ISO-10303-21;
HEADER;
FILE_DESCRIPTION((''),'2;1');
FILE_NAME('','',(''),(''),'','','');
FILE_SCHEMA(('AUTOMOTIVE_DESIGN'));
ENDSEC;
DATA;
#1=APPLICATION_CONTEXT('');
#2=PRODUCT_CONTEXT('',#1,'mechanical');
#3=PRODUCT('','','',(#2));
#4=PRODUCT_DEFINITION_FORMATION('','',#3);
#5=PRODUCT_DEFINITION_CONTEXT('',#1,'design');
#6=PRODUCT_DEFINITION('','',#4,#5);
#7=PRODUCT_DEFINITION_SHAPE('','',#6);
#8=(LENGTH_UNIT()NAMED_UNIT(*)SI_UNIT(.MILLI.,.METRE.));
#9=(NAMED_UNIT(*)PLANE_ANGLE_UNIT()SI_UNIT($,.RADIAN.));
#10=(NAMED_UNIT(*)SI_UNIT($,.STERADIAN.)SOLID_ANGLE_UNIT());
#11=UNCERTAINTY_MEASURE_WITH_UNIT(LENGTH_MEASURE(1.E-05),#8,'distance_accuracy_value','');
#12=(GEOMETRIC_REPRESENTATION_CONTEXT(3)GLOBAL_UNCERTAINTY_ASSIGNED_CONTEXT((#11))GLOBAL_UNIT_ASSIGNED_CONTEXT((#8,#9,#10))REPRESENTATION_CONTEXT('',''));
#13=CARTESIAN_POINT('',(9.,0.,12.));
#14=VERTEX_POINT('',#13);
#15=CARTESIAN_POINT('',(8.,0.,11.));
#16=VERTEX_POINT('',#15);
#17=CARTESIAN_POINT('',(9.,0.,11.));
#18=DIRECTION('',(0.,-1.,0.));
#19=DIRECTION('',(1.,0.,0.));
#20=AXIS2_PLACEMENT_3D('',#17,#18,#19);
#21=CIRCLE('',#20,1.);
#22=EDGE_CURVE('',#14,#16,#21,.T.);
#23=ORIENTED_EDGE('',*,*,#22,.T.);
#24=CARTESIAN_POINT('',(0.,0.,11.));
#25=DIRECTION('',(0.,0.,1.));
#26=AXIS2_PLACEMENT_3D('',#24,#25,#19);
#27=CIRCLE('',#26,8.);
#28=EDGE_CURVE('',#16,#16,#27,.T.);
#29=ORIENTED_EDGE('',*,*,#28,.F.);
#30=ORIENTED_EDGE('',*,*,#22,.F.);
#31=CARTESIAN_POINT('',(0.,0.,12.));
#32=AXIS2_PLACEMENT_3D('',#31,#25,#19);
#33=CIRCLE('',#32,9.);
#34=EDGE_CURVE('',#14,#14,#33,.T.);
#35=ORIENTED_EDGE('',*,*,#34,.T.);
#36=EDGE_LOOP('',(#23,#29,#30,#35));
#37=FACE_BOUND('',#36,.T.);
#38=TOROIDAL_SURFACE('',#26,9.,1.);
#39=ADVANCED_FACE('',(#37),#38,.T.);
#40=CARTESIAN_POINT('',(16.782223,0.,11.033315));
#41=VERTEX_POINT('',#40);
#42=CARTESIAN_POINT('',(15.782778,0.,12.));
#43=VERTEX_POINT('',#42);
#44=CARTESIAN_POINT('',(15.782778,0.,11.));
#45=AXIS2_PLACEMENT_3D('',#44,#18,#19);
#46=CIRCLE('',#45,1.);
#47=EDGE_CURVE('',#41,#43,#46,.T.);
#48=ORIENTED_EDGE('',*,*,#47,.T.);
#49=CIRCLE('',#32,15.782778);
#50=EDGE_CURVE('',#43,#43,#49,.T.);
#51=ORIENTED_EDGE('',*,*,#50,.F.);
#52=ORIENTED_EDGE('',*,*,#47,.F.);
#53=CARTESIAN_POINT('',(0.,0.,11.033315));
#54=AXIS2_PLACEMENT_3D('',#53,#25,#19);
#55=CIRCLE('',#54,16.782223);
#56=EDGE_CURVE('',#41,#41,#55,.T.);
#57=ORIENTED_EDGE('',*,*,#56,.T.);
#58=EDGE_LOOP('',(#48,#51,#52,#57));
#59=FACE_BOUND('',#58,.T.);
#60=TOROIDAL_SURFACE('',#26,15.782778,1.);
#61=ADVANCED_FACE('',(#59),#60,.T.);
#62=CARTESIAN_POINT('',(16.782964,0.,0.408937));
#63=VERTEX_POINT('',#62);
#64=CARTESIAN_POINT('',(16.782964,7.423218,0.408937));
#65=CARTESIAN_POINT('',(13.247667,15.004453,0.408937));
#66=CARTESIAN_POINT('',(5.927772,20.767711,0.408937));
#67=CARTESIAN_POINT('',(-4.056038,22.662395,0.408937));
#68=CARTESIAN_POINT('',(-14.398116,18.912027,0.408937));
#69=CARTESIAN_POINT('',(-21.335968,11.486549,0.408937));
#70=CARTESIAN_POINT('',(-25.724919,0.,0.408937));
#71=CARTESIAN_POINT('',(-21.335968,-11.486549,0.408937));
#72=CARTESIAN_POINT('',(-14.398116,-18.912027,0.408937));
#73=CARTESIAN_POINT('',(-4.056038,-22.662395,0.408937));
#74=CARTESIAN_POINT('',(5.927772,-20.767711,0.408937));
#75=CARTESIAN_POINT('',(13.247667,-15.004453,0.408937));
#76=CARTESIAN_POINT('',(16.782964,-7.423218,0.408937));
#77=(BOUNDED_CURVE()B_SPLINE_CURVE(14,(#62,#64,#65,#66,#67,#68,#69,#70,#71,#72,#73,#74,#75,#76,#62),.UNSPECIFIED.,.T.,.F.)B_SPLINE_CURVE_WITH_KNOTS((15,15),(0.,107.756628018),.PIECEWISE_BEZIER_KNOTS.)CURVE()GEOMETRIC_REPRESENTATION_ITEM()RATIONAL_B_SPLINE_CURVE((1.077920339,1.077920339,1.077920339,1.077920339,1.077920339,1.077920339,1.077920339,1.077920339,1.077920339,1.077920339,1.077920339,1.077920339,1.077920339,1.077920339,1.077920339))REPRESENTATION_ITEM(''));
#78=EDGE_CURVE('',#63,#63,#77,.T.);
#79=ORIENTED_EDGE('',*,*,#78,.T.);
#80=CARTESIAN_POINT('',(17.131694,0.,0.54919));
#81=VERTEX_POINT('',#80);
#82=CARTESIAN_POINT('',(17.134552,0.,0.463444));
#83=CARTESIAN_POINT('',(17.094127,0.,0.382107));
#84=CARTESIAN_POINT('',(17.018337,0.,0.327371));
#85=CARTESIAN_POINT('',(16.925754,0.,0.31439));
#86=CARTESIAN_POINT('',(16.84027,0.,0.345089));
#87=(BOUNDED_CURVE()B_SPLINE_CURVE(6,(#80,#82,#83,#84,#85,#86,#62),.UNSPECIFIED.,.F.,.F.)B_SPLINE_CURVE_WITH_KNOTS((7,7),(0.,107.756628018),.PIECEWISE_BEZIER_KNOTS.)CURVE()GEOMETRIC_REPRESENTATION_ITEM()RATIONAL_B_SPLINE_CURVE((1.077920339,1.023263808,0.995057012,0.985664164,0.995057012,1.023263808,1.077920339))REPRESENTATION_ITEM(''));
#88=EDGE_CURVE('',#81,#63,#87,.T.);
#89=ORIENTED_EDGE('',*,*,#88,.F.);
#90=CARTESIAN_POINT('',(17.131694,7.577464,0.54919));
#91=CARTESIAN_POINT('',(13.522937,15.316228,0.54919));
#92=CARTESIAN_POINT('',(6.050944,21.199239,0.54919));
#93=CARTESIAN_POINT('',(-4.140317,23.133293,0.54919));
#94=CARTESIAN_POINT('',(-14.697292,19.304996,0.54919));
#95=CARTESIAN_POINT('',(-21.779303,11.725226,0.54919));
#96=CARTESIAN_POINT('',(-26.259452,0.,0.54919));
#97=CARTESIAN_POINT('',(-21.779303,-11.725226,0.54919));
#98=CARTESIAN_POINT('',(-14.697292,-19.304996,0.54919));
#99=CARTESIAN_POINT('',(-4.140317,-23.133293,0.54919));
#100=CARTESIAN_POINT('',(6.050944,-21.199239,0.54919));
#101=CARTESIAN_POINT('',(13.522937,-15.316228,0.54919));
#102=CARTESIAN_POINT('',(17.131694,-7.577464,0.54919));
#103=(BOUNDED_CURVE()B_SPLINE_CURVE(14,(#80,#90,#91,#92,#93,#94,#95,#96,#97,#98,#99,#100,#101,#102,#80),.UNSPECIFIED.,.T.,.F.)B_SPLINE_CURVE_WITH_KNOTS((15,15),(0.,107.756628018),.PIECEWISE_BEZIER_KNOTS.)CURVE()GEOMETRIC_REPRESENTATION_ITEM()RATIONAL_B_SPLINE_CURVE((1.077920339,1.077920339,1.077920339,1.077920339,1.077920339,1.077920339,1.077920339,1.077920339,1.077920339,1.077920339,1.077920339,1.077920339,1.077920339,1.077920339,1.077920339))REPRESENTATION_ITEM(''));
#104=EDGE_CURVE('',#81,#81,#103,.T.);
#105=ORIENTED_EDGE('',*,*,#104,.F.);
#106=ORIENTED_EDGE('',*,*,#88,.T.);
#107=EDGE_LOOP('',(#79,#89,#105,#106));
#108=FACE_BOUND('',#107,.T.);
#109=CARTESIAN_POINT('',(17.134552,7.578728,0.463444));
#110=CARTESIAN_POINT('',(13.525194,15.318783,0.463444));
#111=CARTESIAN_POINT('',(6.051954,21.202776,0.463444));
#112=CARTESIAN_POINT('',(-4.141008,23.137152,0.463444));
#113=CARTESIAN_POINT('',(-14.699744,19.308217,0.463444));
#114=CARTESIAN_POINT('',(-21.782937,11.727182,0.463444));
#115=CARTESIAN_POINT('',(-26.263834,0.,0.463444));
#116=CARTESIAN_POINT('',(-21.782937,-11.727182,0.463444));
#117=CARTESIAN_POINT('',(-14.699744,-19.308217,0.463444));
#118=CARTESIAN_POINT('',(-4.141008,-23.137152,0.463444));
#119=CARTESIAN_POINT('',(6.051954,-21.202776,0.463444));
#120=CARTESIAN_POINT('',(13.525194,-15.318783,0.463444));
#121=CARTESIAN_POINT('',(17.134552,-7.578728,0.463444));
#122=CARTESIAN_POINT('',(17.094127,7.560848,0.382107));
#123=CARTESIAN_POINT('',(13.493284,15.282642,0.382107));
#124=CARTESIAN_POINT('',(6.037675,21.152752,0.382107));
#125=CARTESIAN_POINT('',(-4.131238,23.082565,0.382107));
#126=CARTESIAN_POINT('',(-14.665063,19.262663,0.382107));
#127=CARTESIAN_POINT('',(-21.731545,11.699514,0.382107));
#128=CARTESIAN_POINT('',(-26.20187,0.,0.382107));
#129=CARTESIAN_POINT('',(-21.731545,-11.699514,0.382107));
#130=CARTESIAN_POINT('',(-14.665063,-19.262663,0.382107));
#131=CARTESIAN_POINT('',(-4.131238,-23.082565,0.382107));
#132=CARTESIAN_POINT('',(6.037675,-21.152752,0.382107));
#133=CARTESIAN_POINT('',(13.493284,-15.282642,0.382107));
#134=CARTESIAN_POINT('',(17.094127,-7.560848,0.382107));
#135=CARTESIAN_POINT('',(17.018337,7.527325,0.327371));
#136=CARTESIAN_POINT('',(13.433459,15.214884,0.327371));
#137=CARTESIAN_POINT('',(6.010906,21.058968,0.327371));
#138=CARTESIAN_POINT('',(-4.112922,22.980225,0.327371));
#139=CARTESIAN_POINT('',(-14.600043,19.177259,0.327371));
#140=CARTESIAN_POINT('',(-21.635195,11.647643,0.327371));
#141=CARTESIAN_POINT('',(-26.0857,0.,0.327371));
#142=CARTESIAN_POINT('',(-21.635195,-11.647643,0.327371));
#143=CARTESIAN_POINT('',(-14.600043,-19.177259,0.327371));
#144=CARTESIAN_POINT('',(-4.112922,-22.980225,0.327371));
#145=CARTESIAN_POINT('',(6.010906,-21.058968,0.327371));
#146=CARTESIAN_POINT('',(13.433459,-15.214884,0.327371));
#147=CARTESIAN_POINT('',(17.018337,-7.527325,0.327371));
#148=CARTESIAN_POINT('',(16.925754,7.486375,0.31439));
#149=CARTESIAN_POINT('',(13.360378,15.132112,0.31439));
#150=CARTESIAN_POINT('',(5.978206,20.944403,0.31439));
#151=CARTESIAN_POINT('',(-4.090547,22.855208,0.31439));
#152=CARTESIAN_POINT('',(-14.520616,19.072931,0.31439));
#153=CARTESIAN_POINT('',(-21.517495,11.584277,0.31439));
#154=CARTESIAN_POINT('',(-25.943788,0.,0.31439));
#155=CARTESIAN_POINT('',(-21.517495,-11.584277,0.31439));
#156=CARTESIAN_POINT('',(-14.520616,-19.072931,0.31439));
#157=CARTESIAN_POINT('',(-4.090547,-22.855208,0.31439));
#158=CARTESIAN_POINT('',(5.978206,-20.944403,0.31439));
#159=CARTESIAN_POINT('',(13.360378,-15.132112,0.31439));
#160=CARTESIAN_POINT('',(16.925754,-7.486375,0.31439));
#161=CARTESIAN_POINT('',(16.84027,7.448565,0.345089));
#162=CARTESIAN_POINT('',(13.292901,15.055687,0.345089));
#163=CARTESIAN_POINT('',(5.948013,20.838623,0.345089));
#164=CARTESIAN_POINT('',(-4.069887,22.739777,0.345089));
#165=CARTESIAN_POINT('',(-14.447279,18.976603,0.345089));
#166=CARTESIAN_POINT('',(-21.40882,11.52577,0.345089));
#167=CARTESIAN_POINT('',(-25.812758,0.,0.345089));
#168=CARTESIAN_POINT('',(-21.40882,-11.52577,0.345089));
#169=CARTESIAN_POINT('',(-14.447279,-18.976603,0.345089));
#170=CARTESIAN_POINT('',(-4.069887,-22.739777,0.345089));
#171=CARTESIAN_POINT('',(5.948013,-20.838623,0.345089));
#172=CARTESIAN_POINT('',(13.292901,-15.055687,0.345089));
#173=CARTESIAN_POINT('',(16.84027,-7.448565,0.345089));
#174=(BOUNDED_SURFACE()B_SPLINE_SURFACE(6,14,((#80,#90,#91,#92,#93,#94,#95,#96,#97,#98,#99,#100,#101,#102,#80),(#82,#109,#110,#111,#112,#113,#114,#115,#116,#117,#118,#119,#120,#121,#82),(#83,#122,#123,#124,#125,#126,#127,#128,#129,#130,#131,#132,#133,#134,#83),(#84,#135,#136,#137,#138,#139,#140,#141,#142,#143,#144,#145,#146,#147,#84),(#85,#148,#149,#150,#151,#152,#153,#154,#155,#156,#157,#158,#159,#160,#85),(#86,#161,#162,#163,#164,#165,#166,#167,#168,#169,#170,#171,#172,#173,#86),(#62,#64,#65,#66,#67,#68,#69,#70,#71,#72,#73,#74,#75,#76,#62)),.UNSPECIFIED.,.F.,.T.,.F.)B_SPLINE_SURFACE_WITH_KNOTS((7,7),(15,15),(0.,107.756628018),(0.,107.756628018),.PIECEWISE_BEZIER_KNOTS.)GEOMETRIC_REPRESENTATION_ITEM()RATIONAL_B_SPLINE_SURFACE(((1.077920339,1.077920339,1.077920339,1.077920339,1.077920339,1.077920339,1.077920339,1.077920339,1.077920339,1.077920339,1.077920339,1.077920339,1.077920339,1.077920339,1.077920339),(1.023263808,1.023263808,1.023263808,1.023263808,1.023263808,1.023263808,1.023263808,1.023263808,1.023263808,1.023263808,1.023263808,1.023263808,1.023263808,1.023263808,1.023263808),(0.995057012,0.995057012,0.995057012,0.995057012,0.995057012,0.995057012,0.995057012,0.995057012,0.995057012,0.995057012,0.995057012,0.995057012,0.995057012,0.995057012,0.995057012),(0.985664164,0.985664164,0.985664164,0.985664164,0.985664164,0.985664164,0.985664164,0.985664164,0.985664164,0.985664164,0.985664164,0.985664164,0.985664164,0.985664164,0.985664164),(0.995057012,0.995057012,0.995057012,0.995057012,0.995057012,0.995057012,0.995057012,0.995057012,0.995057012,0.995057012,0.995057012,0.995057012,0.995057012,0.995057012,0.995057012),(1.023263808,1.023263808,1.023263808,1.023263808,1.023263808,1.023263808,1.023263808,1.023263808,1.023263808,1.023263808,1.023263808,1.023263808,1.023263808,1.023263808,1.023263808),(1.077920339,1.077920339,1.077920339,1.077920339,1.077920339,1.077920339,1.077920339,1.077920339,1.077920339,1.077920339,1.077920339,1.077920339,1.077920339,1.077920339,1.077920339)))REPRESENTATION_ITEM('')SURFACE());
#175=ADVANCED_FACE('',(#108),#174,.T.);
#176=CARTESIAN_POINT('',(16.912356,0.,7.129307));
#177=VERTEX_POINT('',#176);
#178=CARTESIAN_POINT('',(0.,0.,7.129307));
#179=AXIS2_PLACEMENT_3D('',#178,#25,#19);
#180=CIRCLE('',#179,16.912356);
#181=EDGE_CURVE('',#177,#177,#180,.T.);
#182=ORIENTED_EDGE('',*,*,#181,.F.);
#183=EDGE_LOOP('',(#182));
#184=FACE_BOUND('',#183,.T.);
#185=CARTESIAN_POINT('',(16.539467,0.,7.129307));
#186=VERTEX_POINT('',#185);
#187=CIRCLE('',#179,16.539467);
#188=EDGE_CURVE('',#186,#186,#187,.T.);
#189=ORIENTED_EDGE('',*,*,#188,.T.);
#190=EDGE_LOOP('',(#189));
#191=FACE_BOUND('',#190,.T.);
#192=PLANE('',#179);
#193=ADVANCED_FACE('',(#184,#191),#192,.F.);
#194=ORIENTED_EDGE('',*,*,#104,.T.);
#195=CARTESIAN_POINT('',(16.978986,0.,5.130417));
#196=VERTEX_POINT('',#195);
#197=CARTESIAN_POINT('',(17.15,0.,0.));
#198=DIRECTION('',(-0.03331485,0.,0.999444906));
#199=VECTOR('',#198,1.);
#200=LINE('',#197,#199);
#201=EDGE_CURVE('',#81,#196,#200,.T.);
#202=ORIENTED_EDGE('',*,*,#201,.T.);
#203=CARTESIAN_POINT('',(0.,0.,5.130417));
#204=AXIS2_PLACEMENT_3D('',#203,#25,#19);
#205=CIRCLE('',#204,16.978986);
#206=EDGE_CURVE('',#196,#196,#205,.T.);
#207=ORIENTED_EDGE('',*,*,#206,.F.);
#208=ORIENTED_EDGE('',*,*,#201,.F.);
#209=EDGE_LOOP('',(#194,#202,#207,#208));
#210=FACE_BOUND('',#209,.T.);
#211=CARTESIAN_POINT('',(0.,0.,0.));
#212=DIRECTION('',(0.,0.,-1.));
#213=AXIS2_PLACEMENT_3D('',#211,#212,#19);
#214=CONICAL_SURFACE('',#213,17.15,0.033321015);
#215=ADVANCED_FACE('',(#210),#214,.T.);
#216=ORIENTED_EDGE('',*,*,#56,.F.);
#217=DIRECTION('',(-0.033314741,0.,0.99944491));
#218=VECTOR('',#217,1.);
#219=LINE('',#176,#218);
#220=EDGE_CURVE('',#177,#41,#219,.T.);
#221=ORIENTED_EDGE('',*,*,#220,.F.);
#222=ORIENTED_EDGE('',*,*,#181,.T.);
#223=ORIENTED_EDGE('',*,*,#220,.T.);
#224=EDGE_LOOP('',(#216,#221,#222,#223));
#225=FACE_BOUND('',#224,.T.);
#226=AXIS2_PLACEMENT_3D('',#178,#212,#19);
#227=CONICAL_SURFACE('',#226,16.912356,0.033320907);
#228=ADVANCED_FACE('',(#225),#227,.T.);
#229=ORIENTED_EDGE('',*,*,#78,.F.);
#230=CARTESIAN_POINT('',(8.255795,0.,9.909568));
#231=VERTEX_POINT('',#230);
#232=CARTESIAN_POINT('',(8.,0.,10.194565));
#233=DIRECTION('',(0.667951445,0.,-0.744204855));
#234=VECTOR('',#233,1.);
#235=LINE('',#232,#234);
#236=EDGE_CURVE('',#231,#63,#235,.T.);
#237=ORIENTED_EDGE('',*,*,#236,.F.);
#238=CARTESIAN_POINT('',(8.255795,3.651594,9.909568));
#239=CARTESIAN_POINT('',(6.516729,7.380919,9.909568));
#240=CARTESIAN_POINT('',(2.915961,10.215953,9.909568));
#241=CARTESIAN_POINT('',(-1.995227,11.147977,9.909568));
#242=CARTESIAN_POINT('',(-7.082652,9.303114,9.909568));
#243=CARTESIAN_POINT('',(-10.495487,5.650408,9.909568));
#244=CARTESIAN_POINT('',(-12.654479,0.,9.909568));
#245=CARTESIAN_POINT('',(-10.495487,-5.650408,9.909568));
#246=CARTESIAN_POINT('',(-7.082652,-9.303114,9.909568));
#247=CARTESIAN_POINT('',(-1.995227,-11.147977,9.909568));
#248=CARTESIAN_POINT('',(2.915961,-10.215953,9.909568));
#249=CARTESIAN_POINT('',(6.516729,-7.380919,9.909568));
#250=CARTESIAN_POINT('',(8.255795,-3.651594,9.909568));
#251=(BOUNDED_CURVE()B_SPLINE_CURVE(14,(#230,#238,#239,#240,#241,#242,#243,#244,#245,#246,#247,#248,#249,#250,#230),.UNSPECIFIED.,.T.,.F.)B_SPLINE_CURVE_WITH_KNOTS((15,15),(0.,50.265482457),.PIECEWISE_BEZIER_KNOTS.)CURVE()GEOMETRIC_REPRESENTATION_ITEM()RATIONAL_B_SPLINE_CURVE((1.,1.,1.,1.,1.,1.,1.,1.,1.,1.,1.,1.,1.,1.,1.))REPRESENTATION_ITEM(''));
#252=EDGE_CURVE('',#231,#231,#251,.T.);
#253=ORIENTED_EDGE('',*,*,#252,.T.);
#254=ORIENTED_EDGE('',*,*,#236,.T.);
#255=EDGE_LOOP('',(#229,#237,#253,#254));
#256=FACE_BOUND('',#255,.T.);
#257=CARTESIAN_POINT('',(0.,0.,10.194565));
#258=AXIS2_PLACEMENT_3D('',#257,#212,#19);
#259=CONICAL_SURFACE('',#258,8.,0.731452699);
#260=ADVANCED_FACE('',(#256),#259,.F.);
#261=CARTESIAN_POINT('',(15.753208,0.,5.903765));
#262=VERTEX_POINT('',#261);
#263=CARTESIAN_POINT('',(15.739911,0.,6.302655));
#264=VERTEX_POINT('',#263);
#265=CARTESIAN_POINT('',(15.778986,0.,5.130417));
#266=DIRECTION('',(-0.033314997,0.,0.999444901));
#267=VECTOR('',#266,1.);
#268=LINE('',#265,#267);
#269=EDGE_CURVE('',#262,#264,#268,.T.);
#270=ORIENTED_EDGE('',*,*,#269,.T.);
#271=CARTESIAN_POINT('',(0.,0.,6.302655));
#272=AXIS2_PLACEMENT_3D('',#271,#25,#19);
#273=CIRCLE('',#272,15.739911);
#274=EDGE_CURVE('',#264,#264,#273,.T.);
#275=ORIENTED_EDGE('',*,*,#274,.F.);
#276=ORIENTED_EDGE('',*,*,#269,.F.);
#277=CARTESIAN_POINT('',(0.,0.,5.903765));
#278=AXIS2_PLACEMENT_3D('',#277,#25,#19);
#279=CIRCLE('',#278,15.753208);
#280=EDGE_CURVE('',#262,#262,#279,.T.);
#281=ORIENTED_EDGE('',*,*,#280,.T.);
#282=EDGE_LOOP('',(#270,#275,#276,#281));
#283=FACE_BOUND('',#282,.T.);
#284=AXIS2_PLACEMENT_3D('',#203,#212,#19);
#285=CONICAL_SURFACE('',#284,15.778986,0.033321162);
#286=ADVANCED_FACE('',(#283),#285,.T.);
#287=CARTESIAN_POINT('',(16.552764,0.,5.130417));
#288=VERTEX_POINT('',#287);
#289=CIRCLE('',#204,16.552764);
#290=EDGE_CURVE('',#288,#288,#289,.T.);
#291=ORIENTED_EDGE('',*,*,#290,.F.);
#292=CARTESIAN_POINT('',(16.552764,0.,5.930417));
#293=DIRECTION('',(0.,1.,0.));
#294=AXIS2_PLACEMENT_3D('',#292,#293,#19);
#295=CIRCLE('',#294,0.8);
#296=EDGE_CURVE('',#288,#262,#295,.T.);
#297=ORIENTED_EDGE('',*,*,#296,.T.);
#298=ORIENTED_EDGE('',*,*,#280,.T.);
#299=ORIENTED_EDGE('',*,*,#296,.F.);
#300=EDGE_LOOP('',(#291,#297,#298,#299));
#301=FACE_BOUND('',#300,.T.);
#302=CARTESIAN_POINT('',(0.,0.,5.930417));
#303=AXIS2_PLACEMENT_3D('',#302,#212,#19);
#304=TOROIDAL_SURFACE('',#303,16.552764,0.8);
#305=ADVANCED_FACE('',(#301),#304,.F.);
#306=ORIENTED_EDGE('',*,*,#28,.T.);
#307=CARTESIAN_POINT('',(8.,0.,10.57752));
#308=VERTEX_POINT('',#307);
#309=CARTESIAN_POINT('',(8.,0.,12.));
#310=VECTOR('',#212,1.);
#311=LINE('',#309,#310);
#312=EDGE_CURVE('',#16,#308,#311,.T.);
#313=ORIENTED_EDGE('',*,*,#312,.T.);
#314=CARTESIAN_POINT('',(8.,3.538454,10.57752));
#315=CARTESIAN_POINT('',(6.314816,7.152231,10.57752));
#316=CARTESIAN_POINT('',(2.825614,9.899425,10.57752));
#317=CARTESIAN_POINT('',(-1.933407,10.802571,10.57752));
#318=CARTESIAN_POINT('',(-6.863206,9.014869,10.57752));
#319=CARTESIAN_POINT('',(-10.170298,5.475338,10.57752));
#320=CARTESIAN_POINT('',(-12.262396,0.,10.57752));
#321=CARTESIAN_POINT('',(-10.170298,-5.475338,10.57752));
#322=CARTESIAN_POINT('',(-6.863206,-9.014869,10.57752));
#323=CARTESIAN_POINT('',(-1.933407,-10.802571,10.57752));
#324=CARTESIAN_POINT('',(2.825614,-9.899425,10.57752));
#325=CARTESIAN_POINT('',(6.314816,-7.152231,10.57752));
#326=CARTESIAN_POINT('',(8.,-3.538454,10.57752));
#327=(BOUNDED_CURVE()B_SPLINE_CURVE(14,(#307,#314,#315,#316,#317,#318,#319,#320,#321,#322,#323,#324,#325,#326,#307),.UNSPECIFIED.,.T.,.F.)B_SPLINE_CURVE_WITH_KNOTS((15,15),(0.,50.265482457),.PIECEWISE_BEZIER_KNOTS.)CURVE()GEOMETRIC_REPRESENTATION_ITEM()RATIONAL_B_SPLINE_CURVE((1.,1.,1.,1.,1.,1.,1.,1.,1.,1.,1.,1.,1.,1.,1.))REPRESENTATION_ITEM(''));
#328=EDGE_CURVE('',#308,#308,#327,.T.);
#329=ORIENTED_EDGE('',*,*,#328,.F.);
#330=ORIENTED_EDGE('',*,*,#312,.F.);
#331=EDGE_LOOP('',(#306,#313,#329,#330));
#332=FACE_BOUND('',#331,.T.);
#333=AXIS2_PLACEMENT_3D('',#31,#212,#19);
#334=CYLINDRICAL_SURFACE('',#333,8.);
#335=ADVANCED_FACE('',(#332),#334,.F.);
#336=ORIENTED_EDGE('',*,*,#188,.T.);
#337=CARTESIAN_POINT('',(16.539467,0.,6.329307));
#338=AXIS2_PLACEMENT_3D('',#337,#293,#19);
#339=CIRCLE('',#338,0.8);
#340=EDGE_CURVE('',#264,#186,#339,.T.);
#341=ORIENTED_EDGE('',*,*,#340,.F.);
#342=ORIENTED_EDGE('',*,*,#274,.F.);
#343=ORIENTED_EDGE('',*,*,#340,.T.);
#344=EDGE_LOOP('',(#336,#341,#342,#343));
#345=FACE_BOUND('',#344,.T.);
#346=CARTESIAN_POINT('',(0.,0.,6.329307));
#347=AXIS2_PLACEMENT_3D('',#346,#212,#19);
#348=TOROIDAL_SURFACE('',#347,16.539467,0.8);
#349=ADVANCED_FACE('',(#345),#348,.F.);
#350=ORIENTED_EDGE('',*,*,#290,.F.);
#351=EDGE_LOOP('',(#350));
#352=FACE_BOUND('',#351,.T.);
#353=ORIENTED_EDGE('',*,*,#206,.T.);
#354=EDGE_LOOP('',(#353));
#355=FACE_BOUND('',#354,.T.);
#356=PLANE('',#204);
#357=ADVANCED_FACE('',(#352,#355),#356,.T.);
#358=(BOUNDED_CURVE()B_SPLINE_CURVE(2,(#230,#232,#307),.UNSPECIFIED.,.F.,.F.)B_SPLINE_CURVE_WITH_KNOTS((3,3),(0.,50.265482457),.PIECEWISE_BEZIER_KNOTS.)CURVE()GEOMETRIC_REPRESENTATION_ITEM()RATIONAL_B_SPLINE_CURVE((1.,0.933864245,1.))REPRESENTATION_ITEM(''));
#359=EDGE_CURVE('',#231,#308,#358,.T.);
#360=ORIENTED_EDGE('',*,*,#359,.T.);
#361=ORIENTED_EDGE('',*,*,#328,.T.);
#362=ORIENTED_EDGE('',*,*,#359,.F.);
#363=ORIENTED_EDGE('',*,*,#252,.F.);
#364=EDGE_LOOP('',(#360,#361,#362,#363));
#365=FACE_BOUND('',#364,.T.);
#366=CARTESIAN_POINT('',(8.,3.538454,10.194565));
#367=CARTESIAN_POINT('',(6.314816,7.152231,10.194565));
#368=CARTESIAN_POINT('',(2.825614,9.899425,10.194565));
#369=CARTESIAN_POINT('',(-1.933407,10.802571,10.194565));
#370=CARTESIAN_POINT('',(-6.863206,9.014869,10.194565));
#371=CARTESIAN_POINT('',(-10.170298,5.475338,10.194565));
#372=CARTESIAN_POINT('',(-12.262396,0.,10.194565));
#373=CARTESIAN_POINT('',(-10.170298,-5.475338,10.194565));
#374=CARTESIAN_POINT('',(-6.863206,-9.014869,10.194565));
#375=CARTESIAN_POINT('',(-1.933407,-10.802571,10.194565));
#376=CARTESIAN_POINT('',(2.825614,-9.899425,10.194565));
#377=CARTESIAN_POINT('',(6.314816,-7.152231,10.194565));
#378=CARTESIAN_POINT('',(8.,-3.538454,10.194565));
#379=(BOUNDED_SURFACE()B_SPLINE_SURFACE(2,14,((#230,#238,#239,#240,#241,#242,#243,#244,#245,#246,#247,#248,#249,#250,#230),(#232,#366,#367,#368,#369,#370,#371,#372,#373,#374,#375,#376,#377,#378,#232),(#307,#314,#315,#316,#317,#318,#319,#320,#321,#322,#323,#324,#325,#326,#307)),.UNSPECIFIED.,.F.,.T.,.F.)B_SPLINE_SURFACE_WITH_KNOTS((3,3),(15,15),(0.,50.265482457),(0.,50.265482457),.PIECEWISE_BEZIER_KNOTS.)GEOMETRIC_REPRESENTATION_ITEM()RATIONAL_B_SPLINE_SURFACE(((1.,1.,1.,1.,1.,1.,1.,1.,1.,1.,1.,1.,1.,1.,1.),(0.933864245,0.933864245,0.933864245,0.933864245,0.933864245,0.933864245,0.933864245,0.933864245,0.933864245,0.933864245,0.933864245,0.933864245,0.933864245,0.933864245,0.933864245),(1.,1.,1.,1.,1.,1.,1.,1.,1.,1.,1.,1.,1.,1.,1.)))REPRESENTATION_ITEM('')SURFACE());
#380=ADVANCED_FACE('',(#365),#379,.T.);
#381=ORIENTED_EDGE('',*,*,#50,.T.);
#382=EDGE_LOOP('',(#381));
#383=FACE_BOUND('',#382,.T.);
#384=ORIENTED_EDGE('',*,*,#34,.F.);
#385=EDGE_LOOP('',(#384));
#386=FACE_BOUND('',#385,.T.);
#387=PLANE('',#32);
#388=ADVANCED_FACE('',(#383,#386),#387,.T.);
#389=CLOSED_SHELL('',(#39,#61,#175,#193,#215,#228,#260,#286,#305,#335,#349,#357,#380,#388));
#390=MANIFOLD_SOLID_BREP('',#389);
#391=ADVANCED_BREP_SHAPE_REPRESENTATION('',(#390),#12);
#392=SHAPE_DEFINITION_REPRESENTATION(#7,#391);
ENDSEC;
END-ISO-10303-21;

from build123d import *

# Parameters (mm, degrees)
F2_R = 1
F3_R = 0.8
F4_R = 0.2


with BuildPart() as f1:
    # F0 (on Front) → F1 (revolve)
    with BuildSketch(Plane.XZ):
        Polygon((8, 10.194565), (17.15, 0), (16.978986, 5.130417), (15.778986, 5.130417), (15.712356, 7.129307), (16.912356, 7.129307), (16.75, 12), (8, 12), align=None)
    revolve(axis=Axis((0, 0, 4.741906), (0, 0, 1)))

    # F2
    f2_edges = [f1.edges().sort_by_distance(p)[0] for p in [
        (-16.75, 0, 12),
        (-8, 0, 12),
        (-8, 0, 10.194565),
        (8, 0, 11.097283),
    ]]
    fillet(f2_edges, radius=F2_R)

    # F3
    f3_edges = [f1.edges().sort_by_distance(p)[0] for p in [
        (-15.712356, 0, 7.129307),
        (-15.778986, 0, 5.130417),
    ]]
    fillet(f3_edges, radius=F3_R)

    # F4
    f4_edges = [f1.edges().sort_by_distance(p)[0] for p in [
        (-17.15, 0, 0),
    ]]
    fillet(f4_edges, radius=F4_R)


solid = f1.part
